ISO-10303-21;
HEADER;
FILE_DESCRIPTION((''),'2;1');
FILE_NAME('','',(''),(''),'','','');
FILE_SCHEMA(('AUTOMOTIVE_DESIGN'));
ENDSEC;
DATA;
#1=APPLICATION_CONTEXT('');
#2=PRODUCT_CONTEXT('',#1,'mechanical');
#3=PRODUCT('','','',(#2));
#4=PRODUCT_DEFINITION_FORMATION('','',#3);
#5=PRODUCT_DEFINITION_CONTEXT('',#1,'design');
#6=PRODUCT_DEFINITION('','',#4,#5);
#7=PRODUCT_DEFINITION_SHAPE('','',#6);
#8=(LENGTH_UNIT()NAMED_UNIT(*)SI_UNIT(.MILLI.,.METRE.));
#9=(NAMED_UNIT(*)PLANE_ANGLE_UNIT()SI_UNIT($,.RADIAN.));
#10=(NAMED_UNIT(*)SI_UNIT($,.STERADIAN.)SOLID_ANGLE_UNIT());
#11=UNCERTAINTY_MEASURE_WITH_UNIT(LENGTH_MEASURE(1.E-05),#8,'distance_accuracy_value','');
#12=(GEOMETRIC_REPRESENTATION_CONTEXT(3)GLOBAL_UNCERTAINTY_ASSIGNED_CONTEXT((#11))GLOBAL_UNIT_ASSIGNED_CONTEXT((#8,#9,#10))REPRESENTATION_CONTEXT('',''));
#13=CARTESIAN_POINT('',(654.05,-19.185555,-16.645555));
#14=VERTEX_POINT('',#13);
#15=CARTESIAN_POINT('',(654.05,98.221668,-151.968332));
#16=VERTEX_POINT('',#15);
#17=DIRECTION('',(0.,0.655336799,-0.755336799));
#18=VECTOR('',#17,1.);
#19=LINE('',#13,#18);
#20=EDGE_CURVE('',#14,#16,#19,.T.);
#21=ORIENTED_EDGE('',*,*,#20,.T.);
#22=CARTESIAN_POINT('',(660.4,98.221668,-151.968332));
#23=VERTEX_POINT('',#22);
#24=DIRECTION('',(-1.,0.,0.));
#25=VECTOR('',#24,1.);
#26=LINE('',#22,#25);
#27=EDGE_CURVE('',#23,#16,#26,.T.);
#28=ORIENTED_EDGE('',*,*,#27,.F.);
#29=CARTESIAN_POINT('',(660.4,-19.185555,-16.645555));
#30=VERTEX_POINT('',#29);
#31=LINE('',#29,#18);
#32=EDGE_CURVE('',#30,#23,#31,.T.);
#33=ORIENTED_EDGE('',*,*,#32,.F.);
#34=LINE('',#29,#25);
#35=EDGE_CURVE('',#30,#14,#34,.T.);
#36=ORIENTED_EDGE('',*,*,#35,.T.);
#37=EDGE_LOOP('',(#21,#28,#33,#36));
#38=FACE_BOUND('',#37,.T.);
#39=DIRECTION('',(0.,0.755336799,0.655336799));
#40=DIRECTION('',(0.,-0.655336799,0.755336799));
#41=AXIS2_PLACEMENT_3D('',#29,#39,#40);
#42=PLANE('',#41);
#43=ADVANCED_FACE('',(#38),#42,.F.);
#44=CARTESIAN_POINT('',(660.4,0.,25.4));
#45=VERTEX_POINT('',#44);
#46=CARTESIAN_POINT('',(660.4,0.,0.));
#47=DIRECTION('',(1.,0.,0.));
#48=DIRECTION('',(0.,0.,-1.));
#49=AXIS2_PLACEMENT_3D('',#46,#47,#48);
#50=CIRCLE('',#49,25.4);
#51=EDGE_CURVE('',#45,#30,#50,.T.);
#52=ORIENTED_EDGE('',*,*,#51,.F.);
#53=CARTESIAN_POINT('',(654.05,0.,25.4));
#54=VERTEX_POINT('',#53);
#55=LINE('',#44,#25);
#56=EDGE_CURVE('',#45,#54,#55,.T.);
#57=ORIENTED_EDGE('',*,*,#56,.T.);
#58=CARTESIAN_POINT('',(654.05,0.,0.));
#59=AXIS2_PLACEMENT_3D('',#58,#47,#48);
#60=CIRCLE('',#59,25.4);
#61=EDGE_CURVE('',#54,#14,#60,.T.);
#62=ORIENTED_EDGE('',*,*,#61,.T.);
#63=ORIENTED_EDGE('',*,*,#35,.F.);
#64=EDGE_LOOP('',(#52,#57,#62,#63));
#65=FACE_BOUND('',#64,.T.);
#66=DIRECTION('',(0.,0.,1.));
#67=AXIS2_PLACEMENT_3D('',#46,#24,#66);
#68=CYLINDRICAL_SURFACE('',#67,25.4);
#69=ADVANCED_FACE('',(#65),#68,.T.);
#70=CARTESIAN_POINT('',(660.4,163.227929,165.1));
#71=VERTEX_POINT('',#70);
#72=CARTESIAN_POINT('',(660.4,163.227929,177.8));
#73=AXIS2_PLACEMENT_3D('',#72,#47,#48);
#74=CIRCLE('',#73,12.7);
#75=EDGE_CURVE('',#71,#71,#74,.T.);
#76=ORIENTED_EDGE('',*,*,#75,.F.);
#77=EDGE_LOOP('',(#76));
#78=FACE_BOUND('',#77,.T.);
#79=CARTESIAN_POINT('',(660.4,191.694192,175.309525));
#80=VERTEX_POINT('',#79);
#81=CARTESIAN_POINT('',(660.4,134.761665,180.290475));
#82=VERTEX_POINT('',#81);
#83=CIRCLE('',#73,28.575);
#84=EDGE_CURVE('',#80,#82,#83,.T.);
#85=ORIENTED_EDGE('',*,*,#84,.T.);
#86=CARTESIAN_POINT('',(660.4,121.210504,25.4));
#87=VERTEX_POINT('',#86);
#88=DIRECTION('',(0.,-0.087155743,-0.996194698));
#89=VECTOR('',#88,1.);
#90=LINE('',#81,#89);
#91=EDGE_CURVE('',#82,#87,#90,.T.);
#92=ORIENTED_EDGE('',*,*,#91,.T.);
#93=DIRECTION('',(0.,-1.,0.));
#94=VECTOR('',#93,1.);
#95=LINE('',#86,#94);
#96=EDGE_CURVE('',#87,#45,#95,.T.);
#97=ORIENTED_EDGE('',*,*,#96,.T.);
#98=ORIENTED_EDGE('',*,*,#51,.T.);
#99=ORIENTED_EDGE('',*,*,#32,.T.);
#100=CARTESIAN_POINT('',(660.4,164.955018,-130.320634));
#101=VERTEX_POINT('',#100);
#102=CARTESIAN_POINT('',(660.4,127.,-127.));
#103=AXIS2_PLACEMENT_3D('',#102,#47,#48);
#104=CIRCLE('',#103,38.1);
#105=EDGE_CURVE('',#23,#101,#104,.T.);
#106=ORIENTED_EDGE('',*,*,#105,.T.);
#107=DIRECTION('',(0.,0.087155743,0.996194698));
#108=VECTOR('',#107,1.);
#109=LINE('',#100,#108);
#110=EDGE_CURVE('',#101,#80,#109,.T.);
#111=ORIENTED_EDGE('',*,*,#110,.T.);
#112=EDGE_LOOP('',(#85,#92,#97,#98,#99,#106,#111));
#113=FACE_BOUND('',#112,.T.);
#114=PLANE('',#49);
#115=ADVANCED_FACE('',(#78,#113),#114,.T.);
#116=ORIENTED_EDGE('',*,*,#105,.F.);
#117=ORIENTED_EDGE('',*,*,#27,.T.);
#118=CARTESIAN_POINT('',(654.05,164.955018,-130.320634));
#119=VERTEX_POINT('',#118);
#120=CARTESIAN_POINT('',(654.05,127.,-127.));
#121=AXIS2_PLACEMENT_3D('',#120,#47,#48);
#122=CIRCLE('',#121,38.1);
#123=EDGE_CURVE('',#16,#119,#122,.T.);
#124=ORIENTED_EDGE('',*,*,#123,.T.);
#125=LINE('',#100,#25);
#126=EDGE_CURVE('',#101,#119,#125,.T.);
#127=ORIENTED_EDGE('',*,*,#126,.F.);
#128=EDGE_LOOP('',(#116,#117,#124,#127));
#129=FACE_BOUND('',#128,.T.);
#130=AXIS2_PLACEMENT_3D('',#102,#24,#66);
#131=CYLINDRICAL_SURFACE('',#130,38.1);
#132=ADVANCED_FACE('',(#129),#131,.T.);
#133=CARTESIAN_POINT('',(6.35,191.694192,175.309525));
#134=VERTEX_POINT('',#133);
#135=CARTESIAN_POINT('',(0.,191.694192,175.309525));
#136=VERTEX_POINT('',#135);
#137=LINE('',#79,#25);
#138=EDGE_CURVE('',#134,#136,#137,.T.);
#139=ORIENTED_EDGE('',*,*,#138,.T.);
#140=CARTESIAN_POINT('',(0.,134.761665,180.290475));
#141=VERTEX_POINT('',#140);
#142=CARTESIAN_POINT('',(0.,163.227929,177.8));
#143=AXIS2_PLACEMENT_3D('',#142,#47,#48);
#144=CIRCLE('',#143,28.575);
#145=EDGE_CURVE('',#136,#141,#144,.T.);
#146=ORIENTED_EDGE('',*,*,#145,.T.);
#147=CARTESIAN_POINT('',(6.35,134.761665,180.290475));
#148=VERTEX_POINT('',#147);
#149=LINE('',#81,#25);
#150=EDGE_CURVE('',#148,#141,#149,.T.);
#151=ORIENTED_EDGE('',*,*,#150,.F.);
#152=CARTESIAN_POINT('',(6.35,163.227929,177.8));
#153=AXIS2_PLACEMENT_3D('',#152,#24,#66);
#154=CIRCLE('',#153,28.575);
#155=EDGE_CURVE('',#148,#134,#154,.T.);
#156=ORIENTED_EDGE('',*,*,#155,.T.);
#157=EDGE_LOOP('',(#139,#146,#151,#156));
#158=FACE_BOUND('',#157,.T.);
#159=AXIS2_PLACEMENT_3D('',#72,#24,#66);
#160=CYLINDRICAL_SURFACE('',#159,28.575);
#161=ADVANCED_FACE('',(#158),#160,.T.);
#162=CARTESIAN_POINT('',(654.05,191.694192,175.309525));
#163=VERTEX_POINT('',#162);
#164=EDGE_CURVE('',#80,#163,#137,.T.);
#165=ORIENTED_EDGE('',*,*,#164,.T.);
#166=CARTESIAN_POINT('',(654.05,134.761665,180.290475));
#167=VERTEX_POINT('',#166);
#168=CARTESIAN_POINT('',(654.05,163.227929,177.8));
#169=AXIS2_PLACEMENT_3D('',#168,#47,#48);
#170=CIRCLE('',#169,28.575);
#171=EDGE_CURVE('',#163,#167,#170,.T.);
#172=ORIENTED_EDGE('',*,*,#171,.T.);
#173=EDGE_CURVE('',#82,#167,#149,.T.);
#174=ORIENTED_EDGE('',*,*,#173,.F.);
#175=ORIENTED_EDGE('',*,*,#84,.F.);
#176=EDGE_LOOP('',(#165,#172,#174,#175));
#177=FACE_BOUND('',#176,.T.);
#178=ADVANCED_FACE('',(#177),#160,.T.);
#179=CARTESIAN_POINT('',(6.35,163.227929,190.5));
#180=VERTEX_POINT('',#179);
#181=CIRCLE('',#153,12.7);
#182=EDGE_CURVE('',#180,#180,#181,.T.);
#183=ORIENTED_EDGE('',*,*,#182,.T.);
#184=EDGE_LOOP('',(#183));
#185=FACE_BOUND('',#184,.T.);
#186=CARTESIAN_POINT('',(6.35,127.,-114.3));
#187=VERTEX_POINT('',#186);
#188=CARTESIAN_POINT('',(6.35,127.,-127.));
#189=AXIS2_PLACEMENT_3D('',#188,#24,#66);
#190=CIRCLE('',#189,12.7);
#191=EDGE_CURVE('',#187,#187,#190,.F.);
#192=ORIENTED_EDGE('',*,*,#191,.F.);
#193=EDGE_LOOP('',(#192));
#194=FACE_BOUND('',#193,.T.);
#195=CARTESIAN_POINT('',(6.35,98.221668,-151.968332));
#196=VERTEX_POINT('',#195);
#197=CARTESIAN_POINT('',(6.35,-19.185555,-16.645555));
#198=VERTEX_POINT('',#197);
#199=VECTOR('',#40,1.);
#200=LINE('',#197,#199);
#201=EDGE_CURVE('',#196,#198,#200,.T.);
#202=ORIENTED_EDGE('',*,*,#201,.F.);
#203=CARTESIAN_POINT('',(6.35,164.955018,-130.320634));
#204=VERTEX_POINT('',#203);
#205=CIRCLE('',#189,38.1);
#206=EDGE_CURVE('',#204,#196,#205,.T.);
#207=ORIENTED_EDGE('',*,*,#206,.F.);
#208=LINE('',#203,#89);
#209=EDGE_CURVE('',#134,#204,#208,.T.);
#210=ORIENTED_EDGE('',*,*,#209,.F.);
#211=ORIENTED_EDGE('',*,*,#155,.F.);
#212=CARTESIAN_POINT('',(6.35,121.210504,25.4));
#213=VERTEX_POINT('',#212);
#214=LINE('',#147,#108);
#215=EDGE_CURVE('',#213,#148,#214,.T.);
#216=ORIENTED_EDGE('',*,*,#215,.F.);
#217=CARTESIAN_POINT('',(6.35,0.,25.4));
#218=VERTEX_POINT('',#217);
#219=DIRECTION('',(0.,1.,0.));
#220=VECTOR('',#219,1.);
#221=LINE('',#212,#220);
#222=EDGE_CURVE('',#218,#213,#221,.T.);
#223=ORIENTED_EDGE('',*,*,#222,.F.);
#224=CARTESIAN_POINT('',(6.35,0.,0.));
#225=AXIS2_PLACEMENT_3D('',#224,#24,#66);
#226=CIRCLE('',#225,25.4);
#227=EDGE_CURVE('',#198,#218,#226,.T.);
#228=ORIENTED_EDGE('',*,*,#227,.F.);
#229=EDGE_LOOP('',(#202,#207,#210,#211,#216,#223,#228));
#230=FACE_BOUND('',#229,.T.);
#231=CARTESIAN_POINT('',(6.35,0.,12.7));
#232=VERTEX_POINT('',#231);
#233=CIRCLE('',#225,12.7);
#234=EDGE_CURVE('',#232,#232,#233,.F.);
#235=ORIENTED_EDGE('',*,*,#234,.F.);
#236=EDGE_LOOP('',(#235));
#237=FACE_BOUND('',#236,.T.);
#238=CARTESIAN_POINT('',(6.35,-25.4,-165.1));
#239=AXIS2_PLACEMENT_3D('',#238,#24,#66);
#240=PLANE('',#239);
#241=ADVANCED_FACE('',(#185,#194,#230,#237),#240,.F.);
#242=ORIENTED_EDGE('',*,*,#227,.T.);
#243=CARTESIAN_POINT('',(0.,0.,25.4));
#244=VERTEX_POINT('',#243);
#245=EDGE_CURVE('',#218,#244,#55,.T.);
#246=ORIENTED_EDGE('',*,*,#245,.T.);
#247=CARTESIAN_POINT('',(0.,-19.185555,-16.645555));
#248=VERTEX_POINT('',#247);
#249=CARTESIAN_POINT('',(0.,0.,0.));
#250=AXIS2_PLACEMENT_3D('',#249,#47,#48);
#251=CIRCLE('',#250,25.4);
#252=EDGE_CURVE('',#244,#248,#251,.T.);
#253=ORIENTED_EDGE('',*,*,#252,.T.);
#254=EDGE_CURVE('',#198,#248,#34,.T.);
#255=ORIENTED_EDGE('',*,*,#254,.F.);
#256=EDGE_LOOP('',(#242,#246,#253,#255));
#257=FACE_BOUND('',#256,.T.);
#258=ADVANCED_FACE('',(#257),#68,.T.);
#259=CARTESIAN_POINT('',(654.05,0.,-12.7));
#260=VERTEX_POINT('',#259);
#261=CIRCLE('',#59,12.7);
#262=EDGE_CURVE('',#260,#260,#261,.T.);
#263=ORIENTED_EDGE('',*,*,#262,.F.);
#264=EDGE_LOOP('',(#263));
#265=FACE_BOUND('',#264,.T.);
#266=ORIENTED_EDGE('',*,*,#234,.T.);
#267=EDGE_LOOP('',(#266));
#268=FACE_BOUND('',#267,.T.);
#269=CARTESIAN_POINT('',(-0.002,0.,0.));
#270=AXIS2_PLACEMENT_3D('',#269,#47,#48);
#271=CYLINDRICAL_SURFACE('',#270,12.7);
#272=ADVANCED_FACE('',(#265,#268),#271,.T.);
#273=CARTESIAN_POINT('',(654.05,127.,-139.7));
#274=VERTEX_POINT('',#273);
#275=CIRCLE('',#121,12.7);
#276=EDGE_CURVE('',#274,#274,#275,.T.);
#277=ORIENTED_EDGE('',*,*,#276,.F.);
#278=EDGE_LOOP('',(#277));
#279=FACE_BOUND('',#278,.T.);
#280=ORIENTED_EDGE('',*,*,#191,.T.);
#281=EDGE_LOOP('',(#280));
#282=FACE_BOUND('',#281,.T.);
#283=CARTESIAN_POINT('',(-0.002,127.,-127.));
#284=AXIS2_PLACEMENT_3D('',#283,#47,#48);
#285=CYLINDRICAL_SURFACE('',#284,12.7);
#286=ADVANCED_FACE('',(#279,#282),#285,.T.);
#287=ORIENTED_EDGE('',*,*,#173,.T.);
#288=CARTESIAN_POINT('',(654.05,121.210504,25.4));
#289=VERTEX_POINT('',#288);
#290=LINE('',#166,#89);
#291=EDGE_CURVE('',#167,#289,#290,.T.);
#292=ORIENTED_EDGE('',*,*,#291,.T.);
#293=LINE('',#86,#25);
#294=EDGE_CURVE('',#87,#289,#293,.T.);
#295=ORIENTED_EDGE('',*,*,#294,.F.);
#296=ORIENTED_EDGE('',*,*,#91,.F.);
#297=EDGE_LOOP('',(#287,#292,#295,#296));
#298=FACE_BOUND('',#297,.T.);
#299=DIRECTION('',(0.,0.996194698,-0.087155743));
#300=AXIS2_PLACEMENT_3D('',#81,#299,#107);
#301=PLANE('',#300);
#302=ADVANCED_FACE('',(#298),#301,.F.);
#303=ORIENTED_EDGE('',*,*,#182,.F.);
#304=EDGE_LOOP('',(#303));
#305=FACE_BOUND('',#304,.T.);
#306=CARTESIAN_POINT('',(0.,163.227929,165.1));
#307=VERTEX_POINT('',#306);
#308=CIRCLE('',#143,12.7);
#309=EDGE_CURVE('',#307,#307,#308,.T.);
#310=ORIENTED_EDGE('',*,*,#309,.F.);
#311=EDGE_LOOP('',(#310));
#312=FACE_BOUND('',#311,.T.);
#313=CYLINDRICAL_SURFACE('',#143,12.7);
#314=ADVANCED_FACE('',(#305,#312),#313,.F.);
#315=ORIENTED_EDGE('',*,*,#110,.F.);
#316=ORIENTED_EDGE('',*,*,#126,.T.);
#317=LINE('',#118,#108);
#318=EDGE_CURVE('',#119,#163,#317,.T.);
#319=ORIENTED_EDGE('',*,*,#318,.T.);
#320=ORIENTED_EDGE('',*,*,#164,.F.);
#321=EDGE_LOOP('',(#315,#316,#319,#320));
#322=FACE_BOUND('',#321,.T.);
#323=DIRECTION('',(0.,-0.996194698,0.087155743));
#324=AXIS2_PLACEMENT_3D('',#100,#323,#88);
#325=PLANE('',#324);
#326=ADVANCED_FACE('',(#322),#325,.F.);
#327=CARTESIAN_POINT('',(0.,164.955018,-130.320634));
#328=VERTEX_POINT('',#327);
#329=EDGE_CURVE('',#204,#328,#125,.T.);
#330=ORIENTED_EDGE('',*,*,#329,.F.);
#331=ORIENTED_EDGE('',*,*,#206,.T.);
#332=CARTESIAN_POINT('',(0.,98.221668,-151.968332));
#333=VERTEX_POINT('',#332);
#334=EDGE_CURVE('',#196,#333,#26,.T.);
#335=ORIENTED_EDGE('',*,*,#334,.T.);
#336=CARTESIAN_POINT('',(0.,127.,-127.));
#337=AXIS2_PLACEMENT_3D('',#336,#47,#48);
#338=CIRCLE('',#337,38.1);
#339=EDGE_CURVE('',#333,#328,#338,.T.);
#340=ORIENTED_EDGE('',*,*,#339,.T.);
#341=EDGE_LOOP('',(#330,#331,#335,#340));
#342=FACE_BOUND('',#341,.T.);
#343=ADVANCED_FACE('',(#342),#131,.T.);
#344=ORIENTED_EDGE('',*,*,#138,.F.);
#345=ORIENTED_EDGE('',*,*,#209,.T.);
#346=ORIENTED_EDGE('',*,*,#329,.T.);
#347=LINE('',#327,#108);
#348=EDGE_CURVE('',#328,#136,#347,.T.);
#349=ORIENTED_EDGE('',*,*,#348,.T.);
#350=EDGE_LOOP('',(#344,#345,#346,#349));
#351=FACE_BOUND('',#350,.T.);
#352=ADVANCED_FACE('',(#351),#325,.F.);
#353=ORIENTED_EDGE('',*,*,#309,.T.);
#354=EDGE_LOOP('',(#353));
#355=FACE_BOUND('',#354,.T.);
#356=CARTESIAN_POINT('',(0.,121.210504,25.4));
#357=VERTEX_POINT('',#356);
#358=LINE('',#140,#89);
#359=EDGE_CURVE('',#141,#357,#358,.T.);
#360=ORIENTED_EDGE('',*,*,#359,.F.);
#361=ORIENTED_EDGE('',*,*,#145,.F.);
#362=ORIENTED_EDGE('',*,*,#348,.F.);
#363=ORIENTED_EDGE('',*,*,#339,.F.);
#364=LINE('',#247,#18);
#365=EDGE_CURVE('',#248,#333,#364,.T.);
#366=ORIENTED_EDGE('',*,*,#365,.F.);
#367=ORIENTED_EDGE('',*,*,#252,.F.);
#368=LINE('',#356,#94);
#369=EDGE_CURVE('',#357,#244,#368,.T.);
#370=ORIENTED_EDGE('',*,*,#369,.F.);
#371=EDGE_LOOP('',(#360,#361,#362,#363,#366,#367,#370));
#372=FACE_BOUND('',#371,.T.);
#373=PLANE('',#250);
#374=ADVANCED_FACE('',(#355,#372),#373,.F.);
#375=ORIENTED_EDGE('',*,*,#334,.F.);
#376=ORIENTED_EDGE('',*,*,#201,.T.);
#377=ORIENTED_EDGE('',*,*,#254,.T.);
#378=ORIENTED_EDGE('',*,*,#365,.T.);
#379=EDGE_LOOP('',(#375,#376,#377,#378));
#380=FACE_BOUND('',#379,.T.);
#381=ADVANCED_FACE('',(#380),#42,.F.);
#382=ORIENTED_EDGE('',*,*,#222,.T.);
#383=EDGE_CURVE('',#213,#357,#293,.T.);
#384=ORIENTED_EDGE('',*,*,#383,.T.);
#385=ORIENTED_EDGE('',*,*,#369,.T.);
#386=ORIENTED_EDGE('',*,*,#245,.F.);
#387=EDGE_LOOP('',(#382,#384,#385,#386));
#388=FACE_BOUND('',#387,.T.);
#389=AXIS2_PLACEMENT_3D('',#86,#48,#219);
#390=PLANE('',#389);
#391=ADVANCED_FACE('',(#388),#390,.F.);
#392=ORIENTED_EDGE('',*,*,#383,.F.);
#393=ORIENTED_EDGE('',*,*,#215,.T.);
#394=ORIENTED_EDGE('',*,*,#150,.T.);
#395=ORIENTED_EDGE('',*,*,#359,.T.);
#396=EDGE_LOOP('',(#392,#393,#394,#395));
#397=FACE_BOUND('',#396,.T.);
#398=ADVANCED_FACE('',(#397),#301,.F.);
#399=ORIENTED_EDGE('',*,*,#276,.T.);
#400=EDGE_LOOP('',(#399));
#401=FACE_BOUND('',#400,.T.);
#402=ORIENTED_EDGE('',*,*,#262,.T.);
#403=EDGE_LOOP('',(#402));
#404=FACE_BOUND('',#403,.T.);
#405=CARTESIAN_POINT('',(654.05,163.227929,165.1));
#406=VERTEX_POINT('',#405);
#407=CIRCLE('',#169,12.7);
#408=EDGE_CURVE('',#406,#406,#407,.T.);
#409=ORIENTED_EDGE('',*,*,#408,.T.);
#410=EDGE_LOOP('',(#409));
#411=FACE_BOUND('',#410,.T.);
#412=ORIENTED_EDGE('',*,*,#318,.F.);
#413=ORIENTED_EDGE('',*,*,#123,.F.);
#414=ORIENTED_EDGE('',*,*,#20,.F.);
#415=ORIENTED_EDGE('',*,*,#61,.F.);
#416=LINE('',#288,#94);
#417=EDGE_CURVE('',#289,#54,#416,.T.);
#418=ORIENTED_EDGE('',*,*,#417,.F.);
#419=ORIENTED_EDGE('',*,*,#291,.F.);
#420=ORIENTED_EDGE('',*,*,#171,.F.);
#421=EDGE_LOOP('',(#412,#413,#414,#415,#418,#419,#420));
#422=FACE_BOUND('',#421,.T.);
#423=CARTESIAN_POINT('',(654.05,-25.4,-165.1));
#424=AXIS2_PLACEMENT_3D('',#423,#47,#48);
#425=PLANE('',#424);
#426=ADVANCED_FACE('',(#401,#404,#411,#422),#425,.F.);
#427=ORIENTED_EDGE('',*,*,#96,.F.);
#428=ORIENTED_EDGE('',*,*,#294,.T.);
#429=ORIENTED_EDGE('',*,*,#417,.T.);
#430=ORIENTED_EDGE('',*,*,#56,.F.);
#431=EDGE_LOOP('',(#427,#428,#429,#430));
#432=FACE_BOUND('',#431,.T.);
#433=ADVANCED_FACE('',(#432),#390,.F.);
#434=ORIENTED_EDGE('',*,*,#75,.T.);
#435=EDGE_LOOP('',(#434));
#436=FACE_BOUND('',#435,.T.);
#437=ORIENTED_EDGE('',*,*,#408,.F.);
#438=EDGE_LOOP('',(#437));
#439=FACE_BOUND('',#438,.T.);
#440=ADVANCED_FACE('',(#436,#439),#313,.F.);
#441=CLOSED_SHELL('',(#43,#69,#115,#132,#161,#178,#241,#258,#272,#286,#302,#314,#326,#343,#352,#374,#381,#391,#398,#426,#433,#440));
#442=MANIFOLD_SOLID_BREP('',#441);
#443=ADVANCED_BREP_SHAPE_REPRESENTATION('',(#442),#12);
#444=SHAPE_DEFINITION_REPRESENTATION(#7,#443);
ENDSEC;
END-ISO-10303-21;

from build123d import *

# Parameters (mm, degrees)
BOSS_EXTRUDE1_DEPTH     = 660.4
SKETCH2_W               = 647.7
SKETCH2_H               = 371.475
CUT_EXTRUDE1_DEPTH      = 192.802928595
CUT_EXTRUDE1_DEPTH_BACK = 26.4
BOSS_EXTRUDE2_REACH     = 662.4
SKETCH3_R               = 12.7
SKETCH4_R               = 12.7
CUT_EXTRUDE2_DEPTH      = 1
CUT_EXTRUDE2_DEPTH_BACK = 661.4


with BuildPart() as part:
    # Sketch1 → Boss-Extrude1 (new body)
    with BuildSketch(Plane(origin=(0, 0, 0), x_dir=(0, 0, -1), z_dir=(1, 0, 0))):
        with BuildLine():
            Line((-180.290475349, 134.761665097), (-25.4, 121.210504416))
            Line((-25.4, 121.210504416), (-25.4, 0))
            ThreePointArc((-25.4, 0), (-10.544261728, -23.107975779), (16.645554694, -19.185554694))
            Line((16.645554694, -19.185554694), (151.968332041, 98.221667959))
            ThreePointArc((151.968332041, 98.221667959), (163.240880217, 138.756215424), (130.320633799, 164.955017997))
            Line((130.320633799, 164.955017997), (-175.309524651, 191.694192093))
            ThreePointArc((-175.309524651, 191.694192093), (-206.266263498, 165.718403944), (-180.290475349, 134.761665097))
        make_face()
    extrude(amount=BOSS_EXTRUDE1_DEPTH)

    # Sketch2 → Cut-Extrude1 (cut, two sides)
    with BuildSketch(Plane(origin=(0, 0, 0), x_dir=(1, 0, 0), z_dir=(0, 1, 0))) as cut_extrude1_sk:
        with Locations((330.2, -20.6375)):
            Rectangle(SKETCH2_W, SKETCH2_H)
    extrude(amount=CUT_EXTRUDE1_DEPTH, mode=Mode.SUBTRACT)
    extrude(cut_extrude1_sk.sketch, amount=-CUT_EXTRUDE1_DEPTH_BACK, mode=Mode.SUBTRACT)

    # Sketch3 → Boss-Extrude2 (add, up to next)
    with BuildSketch(Plane(origin=(660.4, 0, 0), x_dir=(0, 0, -1), z_dir=(1, 0, 0)), mode=Mode.PRIVATE) as boss_extrude2_sk1:
        with Locations((127, 127)):
            Circle(SKETCH3_R)
    boss_extrude2_tool1 = extrude(boss_extrude2_sk1.sketch, amount=-BOSS_EXTRUDE2_REACH, mode=Mode.PRIVATE) - part.part
    add(boss_extrude2_tool1.solids().sort_by_distance((660.4, 127, -127))[0])
    # Sketch3 → Boss-Extrude2 (add, up to next)
    with BuildSketch(Plane(origin=(660.4, 0, 0), x_dir=(0, 0, -1), z_dir=(1, 0, 0)), mode=Mode.PRIVATE) as boss_extrude2_sk2:
        Circle(SKETCH3_R)
    boss_extrude2_tool2 = extrude(boss_extrude2_sk2.sketch, amount=-BOSS_EXTRUDE2_REACH, mode=Mode.PRIVATE) - part.part
    add(boss_extrude2_tool2.solids().sort_by_distance((660.4, 0, 0))[0])

    # Sketch4 → Cut-Extrude2 (cut, two sides)
    with BuildSketch(Plane(origin=(660.4, 0, 0), x_dir=(0, 0, -1), z_dir=(1, 0, 0))) as cut_extrude2_sk:
        with Locations((-177.8, 163.227928595)):
            Circle(SKETCH4_R)
    extrude(amount=CUT_EXTRUDE2_DEPTH, mode=Mode.SUBTRACT)
    extrude(cut_extrude2_sk.sketch, amount=-CUT_EXTRUDE2_DEPTH_BACK, mode=Mode.SUBTRACT)


solid = part.part
